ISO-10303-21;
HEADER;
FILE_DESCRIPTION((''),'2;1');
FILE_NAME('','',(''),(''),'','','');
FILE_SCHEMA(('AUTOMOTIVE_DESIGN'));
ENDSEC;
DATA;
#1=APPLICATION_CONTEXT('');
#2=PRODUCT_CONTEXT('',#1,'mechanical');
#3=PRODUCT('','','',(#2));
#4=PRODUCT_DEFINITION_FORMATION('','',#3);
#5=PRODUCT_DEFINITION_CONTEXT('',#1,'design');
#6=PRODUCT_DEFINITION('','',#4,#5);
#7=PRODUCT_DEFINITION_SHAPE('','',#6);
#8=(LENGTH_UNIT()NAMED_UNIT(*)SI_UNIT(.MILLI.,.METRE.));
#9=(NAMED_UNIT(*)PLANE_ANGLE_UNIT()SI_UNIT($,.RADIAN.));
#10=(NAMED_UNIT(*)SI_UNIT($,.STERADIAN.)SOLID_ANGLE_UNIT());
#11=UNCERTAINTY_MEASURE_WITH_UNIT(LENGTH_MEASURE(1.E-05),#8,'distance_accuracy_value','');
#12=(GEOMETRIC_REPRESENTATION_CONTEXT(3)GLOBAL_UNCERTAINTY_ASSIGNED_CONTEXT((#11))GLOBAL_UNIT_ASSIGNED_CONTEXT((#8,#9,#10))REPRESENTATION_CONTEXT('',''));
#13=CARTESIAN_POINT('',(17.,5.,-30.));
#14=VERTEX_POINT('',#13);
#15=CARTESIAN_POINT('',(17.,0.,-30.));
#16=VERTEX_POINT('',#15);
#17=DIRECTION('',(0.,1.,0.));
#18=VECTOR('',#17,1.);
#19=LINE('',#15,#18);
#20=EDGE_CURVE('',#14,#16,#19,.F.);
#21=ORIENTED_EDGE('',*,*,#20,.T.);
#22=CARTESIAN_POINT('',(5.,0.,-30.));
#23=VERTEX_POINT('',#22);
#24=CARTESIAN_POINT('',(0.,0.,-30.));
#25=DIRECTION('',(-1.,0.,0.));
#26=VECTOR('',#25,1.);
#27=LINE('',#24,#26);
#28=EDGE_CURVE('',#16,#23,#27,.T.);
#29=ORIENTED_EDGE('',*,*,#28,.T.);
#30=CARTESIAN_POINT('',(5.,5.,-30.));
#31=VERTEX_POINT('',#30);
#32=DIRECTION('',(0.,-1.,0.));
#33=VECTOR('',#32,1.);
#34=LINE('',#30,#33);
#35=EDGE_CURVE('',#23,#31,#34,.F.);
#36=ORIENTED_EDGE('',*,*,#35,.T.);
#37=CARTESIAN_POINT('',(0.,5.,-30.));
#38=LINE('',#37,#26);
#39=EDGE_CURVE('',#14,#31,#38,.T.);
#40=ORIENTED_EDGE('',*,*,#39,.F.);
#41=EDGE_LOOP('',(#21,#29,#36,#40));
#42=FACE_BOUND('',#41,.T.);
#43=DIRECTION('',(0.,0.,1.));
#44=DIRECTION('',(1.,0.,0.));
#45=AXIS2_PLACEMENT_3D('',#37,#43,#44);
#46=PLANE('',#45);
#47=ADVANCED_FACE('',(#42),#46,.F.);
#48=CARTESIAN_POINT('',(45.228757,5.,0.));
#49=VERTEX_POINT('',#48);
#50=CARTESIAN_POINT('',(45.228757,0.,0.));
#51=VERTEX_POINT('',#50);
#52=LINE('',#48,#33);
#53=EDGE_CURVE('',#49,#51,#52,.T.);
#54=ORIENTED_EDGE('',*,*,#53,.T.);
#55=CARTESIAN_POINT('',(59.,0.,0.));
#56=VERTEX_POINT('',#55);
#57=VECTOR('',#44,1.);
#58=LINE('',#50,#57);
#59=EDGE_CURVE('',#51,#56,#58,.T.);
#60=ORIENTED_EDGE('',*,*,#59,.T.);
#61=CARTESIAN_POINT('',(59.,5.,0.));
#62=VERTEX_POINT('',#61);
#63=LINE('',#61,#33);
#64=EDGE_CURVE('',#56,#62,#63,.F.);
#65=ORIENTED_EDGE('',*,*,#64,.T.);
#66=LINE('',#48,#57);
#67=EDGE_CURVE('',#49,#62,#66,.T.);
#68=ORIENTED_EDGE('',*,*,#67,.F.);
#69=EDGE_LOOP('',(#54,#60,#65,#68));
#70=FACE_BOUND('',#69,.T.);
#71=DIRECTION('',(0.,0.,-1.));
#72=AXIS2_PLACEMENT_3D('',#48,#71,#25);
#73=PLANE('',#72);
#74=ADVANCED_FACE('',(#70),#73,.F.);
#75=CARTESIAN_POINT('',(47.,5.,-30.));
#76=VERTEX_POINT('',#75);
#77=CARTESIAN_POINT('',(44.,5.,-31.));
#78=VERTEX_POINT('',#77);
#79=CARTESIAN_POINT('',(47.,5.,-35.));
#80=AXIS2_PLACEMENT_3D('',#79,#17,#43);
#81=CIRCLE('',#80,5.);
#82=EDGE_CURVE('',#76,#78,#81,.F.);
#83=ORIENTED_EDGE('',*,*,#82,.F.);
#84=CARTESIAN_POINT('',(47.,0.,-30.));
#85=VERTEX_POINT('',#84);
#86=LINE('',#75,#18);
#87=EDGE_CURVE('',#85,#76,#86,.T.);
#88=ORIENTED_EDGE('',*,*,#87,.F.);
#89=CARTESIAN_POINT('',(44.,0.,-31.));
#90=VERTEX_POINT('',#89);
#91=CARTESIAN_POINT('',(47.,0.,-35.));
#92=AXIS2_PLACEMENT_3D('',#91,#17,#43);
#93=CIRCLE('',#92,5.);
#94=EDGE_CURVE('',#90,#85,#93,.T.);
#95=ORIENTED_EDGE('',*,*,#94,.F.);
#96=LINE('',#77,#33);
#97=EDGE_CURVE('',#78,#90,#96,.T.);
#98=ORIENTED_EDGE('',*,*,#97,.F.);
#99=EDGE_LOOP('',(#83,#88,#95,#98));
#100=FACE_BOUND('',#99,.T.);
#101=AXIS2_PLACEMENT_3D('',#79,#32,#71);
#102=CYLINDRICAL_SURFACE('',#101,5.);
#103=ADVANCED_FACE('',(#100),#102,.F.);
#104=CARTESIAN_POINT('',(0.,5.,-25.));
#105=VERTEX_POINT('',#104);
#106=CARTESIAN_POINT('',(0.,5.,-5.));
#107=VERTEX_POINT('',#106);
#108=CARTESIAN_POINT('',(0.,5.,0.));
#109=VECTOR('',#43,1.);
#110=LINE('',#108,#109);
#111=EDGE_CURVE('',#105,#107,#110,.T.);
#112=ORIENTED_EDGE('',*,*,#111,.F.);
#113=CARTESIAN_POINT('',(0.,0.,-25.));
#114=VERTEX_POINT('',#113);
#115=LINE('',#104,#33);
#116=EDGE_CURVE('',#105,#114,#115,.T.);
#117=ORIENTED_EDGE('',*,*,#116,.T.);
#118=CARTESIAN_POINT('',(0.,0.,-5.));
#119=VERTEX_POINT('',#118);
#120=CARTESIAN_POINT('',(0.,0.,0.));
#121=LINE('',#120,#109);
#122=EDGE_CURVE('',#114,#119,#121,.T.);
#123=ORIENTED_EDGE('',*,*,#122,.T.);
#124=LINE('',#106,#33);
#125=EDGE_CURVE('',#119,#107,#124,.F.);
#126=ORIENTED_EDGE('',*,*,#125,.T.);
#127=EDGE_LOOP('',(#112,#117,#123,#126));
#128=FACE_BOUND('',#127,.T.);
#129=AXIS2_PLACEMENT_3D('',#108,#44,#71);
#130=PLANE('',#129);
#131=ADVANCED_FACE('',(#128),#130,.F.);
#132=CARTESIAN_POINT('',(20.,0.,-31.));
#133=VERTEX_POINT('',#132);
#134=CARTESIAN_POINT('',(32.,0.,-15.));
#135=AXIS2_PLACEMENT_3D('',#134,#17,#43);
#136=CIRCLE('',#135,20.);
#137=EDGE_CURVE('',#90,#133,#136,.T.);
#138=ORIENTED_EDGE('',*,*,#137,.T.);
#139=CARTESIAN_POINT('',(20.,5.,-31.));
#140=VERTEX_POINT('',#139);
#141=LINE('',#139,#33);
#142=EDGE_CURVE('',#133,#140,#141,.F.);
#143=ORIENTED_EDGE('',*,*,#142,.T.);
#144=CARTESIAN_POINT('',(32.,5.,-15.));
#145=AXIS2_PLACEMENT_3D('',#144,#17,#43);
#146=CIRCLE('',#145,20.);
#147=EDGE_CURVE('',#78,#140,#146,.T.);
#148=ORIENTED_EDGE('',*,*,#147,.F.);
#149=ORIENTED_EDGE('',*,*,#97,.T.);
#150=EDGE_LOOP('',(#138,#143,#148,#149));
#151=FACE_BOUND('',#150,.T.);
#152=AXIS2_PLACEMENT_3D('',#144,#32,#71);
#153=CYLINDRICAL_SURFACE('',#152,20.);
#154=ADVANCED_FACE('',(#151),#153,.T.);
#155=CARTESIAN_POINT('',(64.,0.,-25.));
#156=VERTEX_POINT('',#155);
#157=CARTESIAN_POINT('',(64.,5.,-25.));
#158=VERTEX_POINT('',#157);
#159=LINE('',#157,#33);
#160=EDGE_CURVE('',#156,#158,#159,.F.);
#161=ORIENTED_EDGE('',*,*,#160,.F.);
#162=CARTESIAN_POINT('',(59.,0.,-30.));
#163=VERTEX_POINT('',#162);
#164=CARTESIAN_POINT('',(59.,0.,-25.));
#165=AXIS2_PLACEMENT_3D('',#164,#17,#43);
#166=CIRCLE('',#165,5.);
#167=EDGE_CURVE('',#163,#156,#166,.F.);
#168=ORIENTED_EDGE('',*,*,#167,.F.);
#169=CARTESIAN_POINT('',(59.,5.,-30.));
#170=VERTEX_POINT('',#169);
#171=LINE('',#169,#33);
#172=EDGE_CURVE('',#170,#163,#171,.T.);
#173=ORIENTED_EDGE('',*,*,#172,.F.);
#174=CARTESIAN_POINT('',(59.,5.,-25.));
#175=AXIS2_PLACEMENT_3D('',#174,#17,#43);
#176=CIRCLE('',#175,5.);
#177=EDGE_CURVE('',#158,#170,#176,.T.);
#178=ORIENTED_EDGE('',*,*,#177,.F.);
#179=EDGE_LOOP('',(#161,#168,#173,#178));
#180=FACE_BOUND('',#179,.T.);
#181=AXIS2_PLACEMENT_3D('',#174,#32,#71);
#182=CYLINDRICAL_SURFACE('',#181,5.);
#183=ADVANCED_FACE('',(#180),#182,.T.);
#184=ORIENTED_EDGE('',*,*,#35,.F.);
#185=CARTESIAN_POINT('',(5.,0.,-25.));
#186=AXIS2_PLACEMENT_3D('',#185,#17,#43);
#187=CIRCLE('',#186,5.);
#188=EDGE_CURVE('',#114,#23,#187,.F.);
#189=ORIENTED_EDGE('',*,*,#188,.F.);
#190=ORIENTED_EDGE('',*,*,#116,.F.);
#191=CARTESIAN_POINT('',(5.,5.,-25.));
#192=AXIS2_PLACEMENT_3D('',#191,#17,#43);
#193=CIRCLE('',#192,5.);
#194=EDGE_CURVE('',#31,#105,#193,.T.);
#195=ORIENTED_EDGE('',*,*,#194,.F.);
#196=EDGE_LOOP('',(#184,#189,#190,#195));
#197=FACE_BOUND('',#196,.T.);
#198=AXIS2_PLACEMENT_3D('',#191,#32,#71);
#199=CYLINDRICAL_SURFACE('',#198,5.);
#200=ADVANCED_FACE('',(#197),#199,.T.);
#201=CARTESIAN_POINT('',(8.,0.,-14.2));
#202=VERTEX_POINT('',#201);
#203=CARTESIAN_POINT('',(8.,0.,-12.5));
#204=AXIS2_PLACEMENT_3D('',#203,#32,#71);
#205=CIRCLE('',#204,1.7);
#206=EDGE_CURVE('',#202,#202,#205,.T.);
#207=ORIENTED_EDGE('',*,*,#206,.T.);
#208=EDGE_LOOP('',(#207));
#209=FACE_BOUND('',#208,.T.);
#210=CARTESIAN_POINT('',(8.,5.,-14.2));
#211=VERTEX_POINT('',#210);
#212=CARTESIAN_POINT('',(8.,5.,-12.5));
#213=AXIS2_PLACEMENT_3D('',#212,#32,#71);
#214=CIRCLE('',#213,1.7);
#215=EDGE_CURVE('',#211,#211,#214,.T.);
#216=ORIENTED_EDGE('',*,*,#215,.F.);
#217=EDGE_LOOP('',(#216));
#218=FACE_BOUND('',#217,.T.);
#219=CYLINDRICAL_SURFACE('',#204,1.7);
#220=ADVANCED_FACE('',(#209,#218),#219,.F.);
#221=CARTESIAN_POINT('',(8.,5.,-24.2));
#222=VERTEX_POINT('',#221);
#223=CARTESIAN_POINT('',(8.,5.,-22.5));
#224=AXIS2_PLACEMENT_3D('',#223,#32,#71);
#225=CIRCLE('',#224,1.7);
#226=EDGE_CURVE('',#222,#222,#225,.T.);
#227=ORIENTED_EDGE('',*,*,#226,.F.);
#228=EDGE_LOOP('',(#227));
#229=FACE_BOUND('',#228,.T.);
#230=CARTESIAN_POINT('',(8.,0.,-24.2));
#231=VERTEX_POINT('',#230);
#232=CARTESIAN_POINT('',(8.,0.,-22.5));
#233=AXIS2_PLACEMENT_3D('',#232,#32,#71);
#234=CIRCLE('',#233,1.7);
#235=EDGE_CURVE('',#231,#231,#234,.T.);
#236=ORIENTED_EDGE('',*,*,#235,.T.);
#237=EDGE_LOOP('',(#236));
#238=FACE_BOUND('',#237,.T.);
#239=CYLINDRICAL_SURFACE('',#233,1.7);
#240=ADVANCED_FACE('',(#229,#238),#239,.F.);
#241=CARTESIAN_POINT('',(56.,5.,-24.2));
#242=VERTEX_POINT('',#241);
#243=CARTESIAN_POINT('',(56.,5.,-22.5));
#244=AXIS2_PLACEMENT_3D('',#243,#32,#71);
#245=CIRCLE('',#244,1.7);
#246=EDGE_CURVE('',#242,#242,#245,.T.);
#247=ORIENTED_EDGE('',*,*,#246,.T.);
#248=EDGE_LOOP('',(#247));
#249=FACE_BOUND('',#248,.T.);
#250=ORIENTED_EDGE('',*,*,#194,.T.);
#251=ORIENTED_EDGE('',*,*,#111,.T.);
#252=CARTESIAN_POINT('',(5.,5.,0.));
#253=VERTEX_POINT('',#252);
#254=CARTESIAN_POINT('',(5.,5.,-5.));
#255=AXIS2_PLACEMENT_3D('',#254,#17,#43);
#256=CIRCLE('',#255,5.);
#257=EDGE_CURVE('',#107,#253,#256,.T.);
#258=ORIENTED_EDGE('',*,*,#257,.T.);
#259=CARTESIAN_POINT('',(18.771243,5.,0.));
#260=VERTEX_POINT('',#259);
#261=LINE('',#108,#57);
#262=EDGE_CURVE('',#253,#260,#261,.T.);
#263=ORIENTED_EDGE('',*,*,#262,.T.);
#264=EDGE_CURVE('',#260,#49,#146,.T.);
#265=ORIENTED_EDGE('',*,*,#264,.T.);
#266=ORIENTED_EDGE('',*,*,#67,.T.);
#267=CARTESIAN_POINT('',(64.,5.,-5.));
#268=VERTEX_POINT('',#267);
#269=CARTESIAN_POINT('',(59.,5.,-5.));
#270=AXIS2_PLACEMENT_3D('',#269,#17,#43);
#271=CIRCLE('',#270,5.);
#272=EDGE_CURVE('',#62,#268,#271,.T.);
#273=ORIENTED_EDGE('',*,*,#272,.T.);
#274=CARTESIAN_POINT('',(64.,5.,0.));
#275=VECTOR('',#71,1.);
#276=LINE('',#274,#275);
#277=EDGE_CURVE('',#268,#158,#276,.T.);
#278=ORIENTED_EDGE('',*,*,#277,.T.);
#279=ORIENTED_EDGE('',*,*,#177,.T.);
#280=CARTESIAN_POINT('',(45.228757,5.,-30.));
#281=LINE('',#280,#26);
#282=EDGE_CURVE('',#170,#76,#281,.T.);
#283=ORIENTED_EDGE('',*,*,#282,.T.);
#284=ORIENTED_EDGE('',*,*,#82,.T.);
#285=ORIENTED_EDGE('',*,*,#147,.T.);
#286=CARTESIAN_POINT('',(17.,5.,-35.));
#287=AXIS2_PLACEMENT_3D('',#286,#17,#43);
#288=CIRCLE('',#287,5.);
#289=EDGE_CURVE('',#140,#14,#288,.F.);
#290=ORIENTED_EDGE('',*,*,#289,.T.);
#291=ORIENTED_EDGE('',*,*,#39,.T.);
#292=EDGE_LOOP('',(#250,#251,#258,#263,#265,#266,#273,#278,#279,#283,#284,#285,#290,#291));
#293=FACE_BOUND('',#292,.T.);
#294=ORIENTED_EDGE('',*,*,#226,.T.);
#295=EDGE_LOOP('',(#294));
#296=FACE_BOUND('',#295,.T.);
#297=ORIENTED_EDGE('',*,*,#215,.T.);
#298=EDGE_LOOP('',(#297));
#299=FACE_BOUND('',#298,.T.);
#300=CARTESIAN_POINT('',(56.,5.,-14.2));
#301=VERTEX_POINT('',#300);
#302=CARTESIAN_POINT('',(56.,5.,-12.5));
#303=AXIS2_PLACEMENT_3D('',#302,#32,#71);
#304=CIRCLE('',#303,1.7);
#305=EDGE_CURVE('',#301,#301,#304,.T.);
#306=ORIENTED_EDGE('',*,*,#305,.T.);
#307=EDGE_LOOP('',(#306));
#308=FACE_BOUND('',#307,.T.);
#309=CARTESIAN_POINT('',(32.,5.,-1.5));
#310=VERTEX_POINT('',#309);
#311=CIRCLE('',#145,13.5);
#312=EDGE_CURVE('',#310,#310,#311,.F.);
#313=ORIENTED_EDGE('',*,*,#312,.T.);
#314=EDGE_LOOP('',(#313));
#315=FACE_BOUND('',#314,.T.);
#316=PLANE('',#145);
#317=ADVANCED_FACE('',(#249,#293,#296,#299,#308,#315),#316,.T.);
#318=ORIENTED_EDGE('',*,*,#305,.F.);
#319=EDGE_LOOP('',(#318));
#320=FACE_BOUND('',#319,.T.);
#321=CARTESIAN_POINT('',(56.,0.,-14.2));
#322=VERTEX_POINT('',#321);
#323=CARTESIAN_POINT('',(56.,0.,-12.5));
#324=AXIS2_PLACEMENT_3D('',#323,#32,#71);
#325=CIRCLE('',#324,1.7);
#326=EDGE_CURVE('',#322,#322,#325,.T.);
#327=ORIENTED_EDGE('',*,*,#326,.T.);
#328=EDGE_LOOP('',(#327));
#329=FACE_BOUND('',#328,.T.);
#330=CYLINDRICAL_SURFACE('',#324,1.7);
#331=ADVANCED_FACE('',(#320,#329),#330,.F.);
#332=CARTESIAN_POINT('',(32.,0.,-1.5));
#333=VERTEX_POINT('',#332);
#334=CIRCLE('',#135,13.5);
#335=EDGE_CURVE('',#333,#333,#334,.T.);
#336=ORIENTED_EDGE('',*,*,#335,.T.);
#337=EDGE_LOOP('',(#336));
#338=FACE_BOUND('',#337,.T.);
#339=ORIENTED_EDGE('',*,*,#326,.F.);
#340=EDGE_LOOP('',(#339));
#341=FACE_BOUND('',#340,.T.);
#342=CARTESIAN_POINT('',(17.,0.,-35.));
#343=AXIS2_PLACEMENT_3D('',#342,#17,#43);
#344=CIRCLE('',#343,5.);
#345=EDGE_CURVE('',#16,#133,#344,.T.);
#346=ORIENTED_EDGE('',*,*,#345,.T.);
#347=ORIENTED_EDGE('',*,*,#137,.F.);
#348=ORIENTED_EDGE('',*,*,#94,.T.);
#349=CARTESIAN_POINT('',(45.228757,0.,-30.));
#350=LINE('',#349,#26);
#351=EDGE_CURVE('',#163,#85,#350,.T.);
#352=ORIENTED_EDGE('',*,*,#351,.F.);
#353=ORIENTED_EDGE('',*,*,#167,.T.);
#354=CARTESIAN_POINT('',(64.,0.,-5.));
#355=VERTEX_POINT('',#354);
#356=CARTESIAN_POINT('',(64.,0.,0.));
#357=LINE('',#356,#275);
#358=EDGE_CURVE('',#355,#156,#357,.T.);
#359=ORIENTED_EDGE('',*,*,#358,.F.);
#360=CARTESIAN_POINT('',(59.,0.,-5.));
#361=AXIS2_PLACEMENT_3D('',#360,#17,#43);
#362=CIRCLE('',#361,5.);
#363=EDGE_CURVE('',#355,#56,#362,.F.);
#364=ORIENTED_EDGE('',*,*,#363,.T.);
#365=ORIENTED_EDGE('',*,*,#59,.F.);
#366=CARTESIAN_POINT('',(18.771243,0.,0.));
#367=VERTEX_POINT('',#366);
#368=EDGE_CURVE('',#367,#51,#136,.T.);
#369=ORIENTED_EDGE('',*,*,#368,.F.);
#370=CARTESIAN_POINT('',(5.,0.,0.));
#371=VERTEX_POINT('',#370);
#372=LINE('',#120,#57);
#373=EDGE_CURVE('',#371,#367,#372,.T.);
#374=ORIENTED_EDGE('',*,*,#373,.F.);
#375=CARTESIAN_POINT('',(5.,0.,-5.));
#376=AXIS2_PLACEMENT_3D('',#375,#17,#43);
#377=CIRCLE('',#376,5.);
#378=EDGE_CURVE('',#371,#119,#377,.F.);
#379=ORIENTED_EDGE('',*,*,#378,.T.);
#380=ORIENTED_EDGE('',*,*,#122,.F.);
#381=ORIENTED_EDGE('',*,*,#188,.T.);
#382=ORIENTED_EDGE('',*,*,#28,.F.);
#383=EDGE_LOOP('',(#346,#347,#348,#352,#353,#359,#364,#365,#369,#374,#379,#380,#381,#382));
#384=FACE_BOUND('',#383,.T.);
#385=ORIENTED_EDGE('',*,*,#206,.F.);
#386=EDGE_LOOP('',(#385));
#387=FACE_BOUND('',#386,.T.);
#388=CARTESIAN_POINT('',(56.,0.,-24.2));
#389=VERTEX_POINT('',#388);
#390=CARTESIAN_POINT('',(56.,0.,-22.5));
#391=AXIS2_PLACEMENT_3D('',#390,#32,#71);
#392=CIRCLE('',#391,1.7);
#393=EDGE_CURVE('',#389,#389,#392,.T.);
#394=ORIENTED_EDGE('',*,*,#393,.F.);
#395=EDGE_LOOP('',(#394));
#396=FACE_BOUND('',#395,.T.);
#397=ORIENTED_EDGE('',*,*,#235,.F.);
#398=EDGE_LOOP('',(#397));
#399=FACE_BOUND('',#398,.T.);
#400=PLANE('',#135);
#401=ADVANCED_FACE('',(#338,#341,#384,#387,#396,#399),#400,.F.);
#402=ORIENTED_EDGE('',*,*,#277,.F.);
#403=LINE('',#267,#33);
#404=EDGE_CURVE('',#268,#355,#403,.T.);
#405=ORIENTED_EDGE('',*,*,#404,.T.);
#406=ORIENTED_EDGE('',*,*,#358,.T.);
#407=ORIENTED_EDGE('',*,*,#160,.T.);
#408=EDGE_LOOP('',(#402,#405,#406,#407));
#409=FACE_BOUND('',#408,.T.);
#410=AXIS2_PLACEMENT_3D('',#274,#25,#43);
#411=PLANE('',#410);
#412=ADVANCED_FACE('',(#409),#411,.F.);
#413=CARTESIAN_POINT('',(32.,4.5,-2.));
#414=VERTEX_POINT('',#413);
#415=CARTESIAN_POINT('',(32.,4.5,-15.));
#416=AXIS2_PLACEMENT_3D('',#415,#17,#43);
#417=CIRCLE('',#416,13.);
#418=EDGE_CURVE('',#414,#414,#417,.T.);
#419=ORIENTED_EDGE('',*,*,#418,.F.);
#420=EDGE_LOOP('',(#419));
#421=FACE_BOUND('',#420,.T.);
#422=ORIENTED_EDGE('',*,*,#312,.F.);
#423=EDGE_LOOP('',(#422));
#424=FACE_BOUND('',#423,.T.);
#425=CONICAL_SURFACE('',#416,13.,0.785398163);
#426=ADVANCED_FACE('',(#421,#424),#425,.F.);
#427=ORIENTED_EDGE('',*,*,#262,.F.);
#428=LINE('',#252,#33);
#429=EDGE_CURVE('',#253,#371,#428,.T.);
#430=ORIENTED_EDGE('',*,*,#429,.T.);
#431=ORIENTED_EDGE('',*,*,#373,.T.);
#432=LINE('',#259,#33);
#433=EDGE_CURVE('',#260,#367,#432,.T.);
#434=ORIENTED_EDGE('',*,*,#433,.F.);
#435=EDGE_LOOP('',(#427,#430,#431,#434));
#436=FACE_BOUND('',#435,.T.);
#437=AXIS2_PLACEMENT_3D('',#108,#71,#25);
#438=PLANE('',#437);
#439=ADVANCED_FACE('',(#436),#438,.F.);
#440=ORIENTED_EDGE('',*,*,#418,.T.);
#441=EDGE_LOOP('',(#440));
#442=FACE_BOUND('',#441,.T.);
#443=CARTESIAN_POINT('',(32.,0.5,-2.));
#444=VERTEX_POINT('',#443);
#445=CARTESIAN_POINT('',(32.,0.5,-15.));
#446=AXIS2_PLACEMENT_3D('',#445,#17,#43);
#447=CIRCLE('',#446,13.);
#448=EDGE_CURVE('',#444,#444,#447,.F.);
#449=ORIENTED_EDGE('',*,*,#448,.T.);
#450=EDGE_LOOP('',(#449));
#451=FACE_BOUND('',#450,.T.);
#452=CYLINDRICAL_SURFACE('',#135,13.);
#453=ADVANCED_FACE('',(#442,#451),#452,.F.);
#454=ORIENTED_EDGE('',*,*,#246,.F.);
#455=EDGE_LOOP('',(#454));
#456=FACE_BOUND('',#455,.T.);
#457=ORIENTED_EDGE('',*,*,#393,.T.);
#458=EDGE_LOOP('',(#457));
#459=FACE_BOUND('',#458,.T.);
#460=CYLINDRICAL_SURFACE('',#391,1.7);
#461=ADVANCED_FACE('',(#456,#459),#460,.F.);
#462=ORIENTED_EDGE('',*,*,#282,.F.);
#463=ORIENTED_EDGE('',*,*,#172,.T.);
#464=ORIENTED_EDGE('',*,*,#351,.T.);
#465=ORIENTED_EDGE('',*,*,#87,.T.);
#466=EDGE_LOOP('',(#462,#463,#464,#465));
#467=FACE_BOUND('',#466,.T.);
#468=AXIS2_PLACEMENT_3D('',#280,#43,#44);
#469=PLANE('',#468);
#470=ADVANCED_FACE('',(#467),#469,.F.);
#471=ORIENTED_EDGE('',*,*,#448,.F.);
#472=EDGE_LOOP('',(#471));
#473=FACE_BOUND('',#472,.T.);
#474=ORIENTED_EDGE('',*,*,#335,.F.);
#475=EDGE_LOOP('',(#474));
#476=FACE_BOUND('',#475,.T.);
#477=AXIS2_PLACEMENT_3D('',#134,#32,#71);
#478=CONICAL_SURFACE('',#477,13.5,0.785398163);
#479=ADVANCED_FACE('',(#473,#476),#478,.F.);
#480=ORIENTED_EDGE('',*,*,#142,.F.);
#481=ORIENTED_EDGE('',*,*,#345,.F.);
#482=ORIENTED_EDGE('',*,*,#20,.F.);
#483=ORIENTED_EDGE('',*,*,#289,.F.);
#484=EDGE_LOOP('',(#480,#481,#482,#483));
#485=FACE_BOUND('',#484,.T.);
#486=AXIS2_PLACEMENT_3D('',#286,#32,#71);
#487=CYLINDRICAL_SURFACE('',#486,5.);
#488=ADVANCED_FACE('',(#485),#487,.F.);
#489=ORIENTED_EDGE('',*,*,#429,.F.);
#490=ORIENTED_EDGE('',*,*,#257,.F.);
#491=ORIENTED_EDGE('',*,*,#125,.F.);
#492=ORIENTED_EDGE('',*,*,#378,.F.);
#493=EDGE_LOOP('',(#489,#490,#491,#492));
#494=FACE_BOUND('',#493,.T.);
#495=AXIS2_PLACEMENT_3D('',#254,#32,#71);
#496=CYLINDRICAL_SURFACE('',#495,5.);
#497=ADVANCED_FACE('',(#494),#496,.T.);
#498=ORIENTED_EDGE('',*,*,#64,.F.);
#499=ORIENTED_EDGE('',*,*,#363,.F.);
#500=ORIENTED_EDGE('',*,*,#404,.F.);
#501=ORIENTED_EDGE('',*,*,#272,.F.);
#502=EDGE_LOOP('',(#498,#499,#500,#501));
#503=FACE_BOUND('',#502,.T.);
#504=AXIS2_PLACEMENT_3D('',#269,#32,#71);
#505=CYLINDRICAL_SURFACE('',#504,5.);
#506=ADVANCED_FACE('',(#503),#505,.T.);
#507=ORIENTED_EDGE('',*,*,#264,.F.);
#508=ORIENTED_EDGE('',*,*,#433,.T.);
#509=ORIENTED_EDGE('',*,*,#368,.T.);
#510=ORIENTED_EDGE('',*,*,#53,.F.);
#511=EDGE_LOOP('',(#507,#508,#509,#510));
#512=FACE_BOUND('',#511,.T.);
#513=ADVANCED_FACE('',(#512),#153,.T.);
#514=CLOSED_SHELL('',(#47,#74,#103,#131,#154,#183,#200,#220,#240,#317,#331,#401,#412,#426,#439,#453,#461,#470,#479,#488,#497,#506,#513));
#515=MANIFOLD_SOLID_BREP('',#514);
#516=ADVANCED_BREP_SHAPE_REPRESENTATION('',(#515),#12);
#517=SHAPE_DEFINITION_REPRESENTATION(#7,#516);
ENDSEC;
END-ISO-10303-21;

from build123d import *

# Parameters (mm, degrees)
EXTRUDE_1_DEPTH     = 5
SKETCH_2_R          = 13
CUT_EXTRUDE_1_DEPTH = 5
FILLET_1_R          = 5
HOLE_WIZARD_M3_1_D  = 3.4
CHAMFER1_SIZE       = 0.5


with BuildPart() as part:
    # 草图1 → 凸台-拉伸1 (new body)
    with BuildSketch(Plane(origin=(0, 0, 0), x_dir=(1, 0, 0), z_dir=(0, 1, 0))):
        with BuildLine():
            Line((45.228756555, 30), (64, 30))
            Line((64, 30), (64, 0))
            Line((64, 0), (45.228756555, 0))
            ThreePointArc((45.228756555, 0), (32, -5), (18.771243445, 0))
            Line((18.771243445, 0), (0, 0))
            Line((0, 0), (0, 30))
            Line((0, 30), (18.771243445, 30))
            ThreePointArc((18.771243445, 30), (32, 35), (45.228756555, 30))
        make_face()
    extrude(amount=EXTRUDE_1_DEPTH)

    # 草图2 → 切除-拉伸1 (cut)
    with BuildSketch(Plane(origin=(0, 5, 0), x_dir=(1, 0, 0), z_dir=(0, 1, 0))):
        with Locations((32, 15)):
            Circle(SKETCH_2_R)
    extrude(amount=-CUT_EXTRUDE_1_DEPTH, mode=Mode.SUBTRACT)

    # 圆角1
    fillet_1_edges = [part.edges().sort_by_distance(p)[0] for p in [
        (0, 2.5, -30),
        (18.771243445, 2.5, -30),
        (45.228756555, 2.5, -30),
        (64, 2.5, -30),
        (64, 2.5, 0),
        (0, 2.5, 0),
    ]]
    fillet(fillet_1_edges, radius=FILLET_1_R)

    # M3 间隙孔1 (through all)
    with Locations(Plane(origin=(0, 0, 0), x_dir=(-1, 0, 0), z_dir=(0, -1, 0))):
        with Locations((-56, 22.5), (-56, 12.5), (-8, 22.5), (-8, 12.5)):
            Hole(HOLE_WIZARD_M3_1_D / 2)

    # Chamfer1
    chamfer1_edges = [part.edges().sort_by_distance(p)[0] for p in [
        (19, 0, -15),
        (19, 5, -15),
    ]]
    chamfer(chamfer1_edges, length=CHAMFER1_SIZE)


solid = part.part
